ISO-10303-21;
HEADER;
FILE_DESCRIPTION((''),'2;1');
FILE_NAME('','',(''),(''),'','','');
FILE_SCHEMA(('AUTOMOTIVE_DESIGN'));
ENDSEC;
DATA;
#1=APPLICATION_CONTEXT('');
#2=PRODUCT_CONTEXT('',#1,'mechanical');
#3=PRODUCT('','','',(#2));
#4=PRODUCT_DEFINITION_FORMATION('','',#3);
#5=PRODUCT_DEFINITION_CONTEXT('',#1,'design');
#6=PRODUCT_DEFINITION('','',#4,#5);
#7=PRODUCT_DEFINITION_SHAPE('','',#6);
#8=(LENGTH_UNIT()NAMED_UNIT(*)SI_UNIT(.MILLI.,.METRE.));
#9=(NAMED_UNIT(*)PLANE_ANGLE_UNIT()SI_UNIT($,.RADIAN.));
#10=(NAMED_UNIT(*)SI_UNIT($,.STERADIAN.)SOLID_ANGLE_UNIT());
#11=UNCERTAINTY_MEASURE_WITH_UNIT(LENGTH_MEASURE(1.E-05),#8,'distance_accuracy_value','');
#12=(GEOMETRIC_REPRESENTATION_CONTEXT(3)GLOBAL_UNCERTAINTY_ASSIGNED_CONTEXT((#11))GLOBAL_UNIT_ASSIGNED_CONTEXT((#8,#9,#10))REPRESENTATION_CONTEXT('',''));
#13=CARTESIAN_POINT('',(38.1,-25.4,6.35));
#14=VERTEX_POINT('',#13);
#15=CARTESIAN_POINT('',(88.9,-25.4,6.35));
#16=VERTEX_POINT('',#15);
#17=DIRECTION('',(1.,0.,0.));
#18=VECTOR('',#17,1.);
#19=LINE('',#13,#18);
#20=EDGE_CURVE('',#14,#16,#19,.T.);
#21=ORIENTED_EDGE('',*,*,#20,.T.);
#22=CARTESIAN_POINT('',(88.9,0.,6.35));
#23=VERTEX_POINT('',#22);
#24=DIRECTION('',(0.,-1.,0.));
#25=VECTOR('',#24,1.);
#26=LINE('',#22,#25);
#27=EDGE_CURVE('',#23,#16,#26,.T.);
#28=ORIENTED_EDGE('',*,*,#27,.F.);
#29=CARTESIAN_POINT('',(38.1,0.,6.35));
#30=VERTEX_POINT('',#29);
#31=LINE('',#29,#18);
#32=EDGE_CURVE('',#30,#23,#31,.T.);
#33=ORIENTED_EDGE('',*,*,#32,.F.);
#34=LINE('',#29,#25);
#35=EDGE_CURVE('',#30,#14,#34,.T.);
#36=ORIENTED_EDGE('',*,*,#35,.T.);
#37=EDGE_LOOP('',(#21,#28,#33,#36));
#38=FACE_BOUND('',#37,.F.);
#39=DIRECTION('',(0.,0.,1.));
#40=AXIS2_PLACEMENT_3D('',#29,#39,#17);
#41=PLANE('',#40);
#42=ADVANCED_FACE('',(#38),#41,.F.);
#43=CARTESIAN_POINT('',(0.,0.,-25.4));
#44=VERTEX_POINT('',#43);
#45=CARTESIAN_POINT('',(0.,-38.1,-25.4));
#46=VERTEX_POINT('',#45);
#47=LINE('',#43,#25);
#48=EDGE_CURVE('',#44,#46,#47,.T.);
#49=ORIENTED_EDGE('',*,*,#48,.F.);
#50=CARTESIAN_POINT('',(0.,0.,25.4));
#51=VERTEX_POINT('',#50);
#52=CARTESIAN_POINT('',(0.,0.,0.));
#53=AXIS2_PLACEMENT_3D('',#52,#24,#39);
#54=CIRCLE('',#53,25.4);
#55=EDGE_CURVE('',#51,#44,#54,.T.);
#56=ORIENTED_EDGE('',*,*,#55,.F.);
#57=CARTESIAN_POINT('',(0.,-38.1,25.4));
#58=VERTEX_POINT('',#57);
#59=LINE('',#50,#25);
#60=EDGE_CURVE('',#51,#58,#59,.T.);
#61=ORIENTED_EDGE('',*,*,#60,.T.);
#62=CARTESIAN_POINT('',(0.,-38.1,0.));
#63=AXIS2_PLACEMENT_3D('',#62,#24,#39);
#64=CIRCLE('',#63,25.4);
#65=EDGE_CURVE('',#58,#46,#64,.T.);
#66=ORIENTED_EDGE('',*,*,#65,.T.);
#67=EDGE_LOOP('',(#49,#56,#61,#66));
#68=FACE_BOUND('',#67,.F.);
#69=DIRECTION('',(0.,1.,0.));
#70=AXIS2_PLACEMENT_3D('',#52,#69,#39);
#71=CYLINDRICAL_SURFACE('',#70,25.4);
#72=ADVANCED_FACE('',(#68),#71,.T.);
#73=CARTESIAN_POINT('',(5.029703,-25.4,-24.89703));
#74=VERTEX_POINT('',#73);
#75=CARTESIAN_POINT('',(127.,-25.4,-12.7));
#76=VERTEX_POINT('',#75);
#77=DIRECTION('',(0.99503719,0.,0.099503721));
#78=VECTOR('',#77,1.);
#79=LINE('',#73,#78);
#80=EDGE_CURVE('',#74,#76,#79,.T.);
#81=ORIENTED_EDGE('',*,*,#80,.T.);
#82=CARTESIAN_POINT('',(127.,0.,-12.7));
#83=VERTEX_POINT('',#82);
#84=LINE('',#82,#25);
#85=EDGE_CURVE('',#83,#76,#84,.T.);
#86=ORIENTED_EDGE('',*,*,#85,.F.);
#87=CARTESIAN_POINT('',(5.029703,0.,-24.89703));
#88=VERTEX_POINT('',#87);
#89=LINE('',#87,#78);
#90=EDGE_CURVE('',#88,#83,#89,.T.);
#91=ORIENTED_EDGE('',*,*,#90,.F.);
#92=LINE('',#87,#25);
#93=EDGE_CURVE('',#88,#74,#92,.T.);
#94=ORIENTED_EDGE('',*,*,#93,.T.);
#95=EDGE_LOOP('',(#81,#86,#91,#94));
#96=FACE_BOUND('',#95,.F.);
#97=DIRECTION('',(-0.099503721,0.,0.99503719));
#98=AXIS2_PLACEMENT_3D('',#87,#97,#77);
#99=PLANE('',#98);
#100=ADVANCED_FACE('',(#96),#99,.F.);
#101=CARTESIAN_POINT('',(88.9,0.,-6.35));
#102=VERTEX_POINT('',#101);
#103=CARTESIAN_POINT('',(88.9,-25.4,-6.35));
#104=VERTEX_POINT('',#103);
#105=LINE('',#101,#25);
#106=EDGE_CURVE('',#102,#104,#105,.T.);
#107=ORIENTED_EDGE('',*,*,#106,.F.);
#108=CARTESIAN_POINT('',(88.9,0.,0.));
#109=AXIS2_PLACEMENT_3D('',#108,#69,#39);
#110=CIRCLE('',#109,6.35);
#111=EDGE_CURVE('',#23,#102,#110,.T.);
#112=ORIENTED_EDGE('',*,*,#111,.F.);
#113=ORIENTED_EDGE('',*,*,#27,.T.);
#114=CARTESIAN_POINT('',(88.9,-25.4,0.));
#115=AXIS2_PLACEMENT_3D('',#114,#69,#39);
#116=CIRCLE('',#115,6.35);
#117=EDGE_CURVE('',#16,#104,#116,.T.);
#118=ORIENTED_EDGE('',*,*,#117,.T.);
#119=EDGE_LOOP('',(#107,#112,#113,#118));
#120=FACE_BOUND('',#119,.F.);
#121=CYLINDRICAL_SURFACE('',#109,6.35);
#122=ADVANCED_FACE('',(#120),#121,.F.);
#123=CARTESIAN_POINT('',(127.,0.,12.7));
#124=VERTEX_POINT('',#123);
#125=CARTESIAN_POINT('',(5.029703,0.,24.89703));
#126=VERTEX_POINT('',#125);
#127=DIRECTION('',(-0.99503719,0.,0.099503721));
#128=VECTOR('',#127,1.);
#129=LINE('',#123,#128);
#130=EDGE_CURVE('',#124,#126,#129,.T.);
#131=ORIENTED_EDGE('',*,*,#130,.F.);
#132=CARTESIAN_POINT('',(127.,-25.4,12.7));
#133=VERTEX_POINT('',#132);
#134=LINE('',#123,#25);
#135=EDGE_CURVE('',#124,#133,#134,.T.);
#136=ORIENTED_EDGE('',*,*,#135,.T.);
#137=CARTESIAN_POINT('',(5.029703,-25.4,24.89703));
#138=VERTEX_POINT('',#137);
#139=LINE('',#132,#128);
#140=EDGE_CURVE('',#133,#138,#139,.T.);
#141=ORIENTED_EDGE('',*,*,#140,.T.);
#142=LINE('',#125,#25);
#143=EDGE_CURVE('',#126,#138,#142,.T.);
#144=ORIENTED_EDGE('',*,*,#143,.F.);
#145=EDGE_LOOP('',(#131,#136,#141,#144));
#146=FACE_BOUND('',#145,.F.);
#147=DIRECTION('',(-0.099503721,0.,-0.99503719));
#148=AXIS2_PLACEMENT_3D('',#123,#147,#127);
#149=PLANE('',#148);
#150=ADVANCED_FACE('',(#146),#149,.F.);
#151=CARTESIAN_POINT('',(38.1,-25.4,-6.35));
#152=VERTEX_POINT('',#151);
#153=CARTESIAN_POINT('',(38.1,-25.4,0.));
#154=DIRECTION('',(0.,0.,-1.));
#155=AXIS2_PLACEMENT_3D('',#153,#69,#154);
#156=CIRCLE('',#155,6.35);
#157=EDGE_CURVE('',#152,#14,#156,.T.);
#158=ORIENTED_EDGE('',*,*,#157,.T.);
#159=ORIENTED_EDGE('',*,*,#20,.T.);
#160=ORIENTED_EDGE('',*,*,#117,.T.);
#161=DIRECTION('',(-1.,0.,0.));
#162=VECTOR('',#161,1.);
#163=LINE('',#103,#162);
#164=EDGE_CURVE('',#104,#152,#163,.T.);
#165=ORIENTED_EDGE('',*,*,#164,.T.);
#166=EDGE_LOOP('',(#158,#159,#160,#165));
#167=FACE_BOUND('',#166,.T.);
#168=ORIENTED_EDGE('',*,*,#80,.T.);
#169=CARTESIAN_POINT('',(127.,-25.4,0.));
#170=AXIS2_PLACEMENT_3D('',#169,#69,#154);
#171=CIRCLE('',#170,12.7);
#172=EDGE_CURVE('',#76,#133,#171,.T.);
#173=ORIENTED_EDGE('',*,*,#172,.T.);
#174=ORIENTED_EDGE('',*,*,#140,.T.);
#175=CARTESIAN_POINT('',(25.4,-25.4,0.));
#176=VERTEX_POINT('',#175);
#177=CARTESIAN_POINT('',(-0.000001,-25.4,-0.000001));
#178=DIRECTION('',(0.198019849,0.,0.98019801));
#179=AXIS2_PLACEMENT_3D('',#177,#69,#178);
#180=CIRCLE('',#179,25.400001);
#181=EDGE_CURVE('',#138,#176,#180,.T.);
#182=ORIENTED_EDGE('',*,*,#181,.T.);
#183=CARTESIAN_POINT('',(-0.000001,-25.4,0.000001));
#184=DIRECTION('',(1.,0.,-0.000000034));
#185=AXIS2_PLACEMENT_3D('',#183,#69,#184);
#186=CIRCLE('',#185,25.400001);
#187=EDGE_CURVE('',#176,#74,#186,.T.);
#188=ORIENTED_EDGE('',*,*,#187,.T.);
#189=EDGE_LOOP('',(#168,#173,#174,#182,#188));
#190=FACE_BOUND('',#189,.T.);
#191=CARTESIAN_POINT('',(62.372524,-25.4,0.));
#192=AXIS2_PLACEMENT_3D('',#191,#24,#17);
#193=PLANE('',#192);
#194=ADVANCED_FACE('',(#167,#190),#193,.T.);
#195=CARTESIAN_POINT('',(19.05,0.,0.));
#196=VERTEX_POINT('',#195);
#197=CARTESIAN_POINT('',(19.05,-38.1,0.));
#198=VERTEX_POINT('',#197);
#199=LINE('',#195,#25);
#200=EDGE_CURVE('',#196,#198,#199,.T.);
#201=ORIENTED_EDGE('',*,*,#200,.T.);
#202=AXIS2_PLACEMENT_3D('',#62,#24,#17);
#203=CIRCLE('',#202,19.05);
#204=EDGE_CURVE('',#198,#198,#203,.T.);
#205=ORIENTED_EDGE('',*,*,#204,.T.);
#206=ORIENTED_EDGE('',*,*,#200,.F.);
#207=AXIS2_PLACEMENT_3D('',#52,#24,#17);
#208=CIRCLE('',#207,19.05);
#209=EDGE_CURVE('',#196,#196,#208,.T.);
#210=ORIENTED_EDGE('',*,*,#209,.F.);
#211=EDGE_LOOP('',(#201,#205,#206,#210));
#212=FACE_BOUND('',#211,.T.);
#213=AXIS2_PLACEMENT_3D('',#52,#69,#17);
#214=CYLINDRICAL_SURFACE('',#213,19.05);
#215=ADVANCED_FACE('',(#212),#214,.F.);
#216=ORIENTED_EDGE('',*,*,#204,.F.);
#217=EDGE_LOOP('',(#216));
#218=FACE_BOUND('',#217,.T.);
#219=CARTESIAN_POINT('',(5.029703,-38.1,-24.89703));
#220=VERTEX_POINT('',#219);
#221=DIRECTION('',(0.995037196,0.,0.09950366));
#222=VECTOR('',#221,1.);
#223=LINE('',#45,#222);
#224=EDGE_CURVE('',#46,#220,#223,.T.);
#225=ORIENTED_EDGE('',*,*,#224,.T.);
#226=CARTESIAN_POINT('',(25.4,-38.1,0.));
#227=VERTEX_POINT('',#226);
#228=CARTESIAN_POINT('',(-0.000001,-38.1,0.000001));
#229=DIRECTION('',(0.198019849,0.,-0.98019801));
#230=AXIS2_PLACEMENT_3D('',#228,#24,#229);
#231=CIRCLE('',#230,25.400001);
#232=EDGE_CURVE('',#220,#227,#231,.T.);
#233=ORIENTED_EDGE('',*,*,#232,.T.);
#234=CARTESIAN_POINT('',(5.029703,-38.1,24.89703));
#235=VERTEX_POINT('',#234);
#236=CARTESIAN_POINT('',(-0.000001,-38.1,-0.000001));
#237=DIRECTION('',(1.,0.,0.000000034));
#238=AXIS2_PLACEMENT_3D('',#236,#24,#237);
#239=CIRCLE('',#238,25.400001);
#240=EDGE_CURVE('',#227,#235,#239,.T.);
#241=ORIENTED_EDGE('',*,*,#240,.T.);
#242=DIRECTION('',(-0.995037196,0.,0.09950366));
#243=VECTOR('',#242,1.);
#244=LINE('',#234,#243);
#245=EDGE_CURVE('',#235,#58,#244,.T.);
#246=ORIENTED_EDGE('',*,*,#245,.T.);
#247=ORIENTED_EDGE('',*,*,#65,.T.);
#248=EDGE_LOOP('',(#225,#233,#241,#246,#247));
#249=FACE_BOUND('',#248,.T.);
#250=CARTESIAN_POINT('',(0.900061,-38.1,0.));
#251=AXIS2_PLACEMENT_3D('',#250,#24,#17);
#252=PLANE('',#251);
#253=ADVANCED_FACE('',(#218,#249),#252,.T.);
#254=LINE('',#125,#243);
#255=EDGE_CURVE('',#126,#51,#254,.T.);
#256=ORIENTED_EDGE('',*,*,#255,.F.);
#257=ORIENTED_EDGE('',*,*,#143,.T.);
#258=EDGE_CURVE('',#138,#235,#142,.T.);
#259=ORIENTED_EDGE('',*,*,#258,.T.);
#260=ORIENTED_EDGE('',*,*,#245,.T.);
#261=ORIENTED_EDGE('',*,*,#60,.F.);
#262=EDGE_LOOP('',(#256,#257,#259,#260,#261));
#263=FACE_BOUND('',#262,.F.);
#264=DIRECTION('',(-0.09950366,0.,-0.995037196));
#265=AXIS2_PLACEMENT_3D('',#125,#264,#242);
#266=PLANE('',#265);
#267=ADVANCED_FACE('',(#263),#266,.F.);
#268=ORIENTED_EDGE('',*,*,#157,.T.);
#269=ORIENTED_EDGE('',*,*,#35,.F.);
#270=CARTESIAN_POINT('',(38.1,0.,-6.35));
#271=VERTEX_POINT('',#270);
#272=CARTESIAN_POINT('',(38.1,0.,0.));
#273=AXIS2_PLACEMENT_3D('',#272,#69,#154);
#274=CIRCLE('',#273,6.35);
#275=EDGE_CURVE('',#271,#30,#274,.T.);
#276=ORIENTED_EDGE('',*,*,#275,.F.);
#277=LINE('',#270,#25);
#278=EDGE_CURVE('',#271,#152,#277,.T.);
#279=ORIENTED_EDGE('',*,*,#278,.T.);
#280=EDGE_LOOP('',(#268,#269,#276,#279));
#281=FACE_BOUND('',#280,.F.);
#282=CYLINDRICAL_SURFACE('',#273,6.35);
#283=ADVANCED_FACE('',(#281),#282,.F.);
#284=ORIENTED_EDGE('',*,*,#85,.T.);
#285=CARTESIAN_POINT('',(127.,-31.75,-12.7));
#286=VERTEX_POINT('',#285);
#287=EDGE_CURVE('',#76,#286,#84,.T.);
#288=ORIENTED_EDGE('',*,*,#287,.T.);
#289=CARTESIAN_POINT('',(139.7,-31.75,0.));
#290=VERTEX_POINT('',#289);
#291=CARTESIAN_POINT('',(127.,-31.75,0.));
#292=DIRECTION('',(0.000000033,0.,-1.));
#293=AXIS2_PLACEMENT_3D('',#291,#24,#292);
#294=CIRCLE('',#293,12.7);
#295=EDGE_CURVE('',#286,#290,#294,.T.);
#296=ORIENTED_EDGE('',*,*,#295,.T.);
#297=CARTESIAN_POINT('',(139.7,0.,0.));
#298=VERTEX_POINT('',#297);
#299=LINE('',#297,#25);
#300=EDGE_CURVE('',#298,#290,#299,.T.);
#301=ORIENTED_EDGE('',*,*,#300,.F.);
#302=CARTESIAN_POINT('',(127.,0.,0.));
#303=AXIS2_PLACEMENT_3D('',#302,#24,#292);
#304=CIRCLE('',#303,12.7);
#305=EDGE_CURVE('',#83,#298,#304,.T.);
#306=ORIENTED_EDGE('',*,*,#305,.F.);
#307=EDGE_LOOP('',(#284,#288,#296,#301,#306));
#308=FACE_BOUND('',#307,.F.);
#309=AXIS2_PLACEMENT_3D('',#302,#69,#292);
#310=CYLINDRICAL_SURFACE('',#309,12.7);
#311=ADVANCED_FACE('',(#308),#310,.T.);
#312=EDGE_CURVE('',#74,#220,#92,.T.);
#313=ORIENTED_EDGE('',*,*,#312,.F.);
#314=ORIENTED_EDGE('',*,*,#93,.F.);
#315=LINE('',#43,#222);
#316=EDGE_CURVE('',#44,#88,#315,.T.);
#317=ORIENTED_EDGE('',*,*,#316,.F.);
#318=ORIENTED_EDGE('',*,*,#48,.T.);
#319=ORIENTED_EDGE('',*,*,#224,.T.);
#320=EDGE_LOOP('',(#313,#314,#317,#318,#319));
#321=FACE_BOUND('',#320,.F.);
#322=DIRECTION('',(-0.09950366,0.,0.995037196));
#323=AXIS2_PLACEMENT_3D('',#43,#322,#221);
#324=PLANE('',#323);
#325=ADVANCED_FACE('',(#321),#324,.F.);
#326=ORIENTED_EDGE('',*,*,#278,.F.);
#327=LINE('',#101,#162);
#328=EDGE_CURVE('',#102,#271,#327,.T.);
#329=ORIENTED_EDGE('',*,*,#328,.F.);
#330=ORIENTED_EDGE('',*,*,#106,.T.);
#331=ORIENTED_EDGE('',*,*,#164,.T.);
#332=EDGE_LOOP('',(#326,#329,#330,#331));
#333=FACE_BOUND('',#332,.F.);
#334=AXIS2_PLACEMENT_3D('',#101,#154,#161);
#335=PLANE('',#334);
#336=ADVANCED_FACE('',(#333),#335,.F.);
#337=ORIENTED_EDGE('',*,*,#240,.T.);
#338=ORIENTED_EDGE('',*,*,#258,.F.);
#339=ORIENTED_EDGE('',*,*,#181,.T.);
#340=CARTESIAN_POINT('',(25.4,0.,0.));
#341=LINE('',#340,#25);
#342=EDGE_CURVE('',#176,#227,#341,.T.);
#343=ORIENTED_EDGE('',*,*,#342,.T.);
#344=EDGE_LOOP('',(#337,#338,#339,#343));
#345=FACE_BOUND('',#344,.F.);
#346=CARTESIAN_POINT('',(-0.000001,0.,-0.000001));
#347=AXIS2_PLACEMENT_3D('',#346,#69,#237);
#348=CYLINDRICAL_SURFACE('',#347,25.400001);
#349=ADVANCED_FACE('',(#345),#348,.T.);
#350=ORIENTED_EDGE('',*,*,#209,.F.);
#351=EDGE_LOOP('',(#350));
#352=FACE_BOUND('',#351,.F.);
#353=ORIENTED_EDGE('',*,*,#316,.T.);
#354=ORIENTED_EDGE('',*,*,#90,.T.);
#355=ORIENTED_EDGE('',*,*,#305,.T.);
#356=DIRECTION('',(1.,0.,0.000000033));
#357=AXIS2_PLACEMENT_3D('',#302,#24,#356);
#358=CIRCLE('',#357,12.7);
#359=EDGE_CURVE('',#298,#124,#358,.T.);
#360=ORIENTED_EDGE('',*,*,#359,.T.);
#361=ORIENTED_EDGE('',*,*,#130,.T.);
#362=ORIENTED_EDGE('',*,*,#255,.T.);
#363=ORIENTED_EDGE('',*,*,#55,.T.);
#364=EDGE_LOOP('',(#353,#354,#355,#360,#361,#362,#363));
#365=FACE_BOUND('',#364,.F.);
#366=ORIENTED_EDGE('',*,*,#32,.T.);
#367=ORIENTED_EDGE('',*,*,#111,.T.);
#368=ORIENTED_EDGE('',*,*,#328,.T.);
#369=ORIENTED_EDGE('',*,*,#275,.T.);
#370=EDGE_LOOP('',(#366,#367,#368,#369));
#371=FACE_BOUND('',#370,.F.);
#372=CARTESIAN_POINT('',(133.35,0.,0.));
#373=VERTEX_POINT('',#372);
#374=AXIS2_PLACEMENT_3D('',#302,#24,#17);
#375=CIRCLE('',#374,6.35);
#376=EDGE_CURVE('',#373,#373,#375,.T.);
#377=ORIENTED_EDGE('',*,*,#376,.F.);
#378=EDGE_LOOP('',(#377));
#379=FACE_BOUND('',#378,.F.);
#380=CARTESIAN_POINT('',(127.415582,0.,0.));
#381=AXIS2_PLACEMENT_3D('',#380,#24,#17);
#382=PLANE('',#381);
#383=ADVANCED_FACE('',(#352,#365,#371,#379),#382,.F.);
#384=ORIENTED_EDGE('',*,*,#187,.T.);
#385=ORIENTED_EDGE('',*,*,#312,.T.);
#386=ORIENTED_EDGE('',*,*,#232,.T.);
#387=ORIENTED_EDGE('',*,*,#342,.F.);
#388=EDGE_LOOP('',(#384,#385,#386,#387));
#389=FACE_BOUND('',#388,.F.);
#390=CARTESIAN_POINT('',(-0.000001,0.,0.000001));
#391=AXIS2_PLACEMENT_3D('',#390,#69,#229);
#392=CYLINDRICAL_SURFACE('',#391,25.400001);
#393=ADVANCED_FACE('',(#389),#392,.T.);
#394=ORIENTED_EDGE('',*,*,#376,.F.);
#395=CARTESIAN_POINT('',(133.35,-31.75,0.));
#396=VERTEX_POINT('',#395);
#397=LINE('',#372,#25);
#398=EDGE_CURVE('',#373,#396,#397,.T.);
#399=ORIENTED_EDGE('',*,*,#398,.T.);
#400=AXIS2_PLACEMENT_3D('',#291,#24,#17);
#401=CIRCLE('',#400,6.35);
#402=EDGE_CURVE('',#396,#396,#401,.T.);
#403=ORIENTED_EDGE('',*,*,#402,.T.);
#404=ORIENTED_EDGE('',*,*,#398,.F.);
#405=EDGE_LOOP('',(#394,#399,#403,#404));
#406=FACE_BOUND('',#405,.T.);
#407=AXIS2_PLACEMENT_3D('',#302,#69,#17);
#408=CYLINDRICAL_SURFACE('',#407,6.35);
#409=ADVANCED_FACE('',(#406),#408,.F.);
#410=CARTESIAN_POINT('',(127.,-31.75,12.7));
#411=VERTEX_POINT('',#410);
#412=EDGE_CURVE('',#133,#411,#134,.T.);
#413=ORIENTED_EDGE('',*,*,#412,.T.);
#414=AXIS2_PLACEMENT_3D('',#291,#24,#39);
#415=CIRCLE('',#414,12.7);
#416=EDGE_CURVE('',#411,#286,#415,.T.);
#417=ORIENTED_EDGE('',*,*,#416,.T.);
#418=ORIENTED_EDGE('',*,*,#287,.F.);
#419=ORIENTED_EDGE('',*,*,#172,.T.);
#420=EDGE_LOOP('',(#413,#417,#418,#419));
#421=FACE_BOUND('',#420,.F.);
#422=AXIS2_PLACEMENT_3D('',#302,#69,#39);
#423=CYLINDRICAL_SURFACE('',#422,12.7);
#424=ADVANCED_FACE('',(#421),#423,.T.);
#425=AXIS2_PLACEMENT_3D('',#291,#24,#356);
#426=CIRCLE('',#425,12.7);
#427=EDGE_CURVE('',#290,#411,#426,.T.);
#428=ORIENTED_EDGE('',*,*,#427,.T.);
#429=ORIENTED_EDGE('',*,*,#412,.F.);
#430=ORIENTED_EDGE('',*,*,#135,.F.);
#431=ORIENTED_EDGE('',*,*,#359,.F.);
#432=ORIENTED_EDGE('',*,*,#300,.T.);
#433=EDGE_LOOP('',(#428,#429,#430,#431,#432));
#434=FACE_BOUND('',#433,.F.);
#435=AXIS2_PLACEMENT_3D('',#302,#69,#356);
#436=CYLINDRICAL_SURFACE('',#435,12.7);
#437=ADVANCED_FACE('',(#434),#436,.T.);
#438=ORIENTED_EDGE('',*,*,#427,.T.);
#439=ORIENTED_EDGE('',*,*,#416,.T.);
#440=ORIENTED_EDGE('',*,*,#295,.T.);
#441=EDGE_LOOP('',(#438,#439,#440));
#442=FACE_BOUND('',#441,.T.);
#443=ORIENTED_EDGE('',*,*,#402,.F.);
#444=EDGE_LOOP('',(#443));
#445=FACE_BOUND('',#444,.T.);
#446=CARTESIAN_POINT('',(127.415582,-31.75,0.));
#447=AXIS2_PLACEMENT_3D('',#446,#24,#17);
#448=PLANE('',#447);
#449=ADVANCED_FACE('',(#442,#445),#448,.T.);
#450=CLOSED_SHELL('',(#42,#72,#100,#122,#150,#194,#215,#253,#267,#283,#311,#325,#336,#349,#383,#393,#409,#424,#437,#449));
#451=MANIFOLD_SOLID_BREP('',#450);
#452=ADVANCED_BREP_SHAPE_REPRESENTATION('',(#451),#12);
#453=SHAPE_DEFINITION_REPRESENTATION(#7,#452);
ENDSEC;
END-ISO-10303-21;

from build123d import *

# Parameters (mm, degrees)
F0_R     = 19.05
F1_DEPTH = 38.1
F2_DEPTH = 25.4
F0_R_2   = 6.35
F3_DEPTH = 31.75


with BuildPart() as f1:
    # F0 (on Front) → F1 (new body)
    with BuildSketch(Plane.XZ):
        with BuildLine():
            Line((5.029703, 24.89703), (0, 25.4))
            ThreePointArc((0, 25.4), (-25.4, 0), (0, -25.4))
            Line((0, -25.4), (5.029703, -24.89703))
            ThreePointArc((5.029703, -24.89703), (19.658515, -16.08424), (25.4, 0))
            ThreePointArc((25.4, 0), (19.658515, 16.08424), (5.029703, 24.89703))
        make_face()
        Circle(F0_R, mode=Mode.SUBTRACT)
    extrude(amount=F1_DEPTH)

    # F0 (on Front) → F2 (join)
    with BuildSketch(Plane.XZ):
        with BuildLine():
            Line((127, 12.7), (5.029703, 24.89703))
            ThreePointArc((5.029703, 24.89703), (19.658515, 16.08424), (25.4, 0))
            ThreePointArc((25.4, 0), (19.658515, -16.08424), (5.029703, -24.89703))
            Line((5.029703, -24.89703), (127, -12.7))
            ThreePointArc((127, -12.7), (114.3, 0), (127, 12.7))
        make_face()
        with BuildLine():
            ThreePointArc((38.1, -6.35), (31.75, 0), (38.1, 6.35))
            Line((38.1, 6.35), (88.9, 6.35))
            ThreePointArc((88.9, 6.35), (95.25, 0), (88.9, -6.35))
            Line((88.9, -6.35), (38.1, -6.35))
        make_face(mode=Mode.SUBTRACT)
    extrude(amount=F2_DEPTH)

    # F0 (on Front) → F3 (join)
    with BuildSketch(Plane.XZ):
        with BuildLine():
            ThreePointArc((139.7, 0), (135.980256, 8.980256), (127, 12.7))
            ThreePointArc((127, 12.7), (114.3, 0), (127, -12.7))
            ThreePointArc((127, -12.7), (135.980256, -8.980256), (139.7, 0))
        make_face()
        with Locations((127, 0)):
            Circle(F0_R_2, mode=Mode.SUBTRACT)
    extrude(amount=F3_DEPTH)


solid = f1.part
